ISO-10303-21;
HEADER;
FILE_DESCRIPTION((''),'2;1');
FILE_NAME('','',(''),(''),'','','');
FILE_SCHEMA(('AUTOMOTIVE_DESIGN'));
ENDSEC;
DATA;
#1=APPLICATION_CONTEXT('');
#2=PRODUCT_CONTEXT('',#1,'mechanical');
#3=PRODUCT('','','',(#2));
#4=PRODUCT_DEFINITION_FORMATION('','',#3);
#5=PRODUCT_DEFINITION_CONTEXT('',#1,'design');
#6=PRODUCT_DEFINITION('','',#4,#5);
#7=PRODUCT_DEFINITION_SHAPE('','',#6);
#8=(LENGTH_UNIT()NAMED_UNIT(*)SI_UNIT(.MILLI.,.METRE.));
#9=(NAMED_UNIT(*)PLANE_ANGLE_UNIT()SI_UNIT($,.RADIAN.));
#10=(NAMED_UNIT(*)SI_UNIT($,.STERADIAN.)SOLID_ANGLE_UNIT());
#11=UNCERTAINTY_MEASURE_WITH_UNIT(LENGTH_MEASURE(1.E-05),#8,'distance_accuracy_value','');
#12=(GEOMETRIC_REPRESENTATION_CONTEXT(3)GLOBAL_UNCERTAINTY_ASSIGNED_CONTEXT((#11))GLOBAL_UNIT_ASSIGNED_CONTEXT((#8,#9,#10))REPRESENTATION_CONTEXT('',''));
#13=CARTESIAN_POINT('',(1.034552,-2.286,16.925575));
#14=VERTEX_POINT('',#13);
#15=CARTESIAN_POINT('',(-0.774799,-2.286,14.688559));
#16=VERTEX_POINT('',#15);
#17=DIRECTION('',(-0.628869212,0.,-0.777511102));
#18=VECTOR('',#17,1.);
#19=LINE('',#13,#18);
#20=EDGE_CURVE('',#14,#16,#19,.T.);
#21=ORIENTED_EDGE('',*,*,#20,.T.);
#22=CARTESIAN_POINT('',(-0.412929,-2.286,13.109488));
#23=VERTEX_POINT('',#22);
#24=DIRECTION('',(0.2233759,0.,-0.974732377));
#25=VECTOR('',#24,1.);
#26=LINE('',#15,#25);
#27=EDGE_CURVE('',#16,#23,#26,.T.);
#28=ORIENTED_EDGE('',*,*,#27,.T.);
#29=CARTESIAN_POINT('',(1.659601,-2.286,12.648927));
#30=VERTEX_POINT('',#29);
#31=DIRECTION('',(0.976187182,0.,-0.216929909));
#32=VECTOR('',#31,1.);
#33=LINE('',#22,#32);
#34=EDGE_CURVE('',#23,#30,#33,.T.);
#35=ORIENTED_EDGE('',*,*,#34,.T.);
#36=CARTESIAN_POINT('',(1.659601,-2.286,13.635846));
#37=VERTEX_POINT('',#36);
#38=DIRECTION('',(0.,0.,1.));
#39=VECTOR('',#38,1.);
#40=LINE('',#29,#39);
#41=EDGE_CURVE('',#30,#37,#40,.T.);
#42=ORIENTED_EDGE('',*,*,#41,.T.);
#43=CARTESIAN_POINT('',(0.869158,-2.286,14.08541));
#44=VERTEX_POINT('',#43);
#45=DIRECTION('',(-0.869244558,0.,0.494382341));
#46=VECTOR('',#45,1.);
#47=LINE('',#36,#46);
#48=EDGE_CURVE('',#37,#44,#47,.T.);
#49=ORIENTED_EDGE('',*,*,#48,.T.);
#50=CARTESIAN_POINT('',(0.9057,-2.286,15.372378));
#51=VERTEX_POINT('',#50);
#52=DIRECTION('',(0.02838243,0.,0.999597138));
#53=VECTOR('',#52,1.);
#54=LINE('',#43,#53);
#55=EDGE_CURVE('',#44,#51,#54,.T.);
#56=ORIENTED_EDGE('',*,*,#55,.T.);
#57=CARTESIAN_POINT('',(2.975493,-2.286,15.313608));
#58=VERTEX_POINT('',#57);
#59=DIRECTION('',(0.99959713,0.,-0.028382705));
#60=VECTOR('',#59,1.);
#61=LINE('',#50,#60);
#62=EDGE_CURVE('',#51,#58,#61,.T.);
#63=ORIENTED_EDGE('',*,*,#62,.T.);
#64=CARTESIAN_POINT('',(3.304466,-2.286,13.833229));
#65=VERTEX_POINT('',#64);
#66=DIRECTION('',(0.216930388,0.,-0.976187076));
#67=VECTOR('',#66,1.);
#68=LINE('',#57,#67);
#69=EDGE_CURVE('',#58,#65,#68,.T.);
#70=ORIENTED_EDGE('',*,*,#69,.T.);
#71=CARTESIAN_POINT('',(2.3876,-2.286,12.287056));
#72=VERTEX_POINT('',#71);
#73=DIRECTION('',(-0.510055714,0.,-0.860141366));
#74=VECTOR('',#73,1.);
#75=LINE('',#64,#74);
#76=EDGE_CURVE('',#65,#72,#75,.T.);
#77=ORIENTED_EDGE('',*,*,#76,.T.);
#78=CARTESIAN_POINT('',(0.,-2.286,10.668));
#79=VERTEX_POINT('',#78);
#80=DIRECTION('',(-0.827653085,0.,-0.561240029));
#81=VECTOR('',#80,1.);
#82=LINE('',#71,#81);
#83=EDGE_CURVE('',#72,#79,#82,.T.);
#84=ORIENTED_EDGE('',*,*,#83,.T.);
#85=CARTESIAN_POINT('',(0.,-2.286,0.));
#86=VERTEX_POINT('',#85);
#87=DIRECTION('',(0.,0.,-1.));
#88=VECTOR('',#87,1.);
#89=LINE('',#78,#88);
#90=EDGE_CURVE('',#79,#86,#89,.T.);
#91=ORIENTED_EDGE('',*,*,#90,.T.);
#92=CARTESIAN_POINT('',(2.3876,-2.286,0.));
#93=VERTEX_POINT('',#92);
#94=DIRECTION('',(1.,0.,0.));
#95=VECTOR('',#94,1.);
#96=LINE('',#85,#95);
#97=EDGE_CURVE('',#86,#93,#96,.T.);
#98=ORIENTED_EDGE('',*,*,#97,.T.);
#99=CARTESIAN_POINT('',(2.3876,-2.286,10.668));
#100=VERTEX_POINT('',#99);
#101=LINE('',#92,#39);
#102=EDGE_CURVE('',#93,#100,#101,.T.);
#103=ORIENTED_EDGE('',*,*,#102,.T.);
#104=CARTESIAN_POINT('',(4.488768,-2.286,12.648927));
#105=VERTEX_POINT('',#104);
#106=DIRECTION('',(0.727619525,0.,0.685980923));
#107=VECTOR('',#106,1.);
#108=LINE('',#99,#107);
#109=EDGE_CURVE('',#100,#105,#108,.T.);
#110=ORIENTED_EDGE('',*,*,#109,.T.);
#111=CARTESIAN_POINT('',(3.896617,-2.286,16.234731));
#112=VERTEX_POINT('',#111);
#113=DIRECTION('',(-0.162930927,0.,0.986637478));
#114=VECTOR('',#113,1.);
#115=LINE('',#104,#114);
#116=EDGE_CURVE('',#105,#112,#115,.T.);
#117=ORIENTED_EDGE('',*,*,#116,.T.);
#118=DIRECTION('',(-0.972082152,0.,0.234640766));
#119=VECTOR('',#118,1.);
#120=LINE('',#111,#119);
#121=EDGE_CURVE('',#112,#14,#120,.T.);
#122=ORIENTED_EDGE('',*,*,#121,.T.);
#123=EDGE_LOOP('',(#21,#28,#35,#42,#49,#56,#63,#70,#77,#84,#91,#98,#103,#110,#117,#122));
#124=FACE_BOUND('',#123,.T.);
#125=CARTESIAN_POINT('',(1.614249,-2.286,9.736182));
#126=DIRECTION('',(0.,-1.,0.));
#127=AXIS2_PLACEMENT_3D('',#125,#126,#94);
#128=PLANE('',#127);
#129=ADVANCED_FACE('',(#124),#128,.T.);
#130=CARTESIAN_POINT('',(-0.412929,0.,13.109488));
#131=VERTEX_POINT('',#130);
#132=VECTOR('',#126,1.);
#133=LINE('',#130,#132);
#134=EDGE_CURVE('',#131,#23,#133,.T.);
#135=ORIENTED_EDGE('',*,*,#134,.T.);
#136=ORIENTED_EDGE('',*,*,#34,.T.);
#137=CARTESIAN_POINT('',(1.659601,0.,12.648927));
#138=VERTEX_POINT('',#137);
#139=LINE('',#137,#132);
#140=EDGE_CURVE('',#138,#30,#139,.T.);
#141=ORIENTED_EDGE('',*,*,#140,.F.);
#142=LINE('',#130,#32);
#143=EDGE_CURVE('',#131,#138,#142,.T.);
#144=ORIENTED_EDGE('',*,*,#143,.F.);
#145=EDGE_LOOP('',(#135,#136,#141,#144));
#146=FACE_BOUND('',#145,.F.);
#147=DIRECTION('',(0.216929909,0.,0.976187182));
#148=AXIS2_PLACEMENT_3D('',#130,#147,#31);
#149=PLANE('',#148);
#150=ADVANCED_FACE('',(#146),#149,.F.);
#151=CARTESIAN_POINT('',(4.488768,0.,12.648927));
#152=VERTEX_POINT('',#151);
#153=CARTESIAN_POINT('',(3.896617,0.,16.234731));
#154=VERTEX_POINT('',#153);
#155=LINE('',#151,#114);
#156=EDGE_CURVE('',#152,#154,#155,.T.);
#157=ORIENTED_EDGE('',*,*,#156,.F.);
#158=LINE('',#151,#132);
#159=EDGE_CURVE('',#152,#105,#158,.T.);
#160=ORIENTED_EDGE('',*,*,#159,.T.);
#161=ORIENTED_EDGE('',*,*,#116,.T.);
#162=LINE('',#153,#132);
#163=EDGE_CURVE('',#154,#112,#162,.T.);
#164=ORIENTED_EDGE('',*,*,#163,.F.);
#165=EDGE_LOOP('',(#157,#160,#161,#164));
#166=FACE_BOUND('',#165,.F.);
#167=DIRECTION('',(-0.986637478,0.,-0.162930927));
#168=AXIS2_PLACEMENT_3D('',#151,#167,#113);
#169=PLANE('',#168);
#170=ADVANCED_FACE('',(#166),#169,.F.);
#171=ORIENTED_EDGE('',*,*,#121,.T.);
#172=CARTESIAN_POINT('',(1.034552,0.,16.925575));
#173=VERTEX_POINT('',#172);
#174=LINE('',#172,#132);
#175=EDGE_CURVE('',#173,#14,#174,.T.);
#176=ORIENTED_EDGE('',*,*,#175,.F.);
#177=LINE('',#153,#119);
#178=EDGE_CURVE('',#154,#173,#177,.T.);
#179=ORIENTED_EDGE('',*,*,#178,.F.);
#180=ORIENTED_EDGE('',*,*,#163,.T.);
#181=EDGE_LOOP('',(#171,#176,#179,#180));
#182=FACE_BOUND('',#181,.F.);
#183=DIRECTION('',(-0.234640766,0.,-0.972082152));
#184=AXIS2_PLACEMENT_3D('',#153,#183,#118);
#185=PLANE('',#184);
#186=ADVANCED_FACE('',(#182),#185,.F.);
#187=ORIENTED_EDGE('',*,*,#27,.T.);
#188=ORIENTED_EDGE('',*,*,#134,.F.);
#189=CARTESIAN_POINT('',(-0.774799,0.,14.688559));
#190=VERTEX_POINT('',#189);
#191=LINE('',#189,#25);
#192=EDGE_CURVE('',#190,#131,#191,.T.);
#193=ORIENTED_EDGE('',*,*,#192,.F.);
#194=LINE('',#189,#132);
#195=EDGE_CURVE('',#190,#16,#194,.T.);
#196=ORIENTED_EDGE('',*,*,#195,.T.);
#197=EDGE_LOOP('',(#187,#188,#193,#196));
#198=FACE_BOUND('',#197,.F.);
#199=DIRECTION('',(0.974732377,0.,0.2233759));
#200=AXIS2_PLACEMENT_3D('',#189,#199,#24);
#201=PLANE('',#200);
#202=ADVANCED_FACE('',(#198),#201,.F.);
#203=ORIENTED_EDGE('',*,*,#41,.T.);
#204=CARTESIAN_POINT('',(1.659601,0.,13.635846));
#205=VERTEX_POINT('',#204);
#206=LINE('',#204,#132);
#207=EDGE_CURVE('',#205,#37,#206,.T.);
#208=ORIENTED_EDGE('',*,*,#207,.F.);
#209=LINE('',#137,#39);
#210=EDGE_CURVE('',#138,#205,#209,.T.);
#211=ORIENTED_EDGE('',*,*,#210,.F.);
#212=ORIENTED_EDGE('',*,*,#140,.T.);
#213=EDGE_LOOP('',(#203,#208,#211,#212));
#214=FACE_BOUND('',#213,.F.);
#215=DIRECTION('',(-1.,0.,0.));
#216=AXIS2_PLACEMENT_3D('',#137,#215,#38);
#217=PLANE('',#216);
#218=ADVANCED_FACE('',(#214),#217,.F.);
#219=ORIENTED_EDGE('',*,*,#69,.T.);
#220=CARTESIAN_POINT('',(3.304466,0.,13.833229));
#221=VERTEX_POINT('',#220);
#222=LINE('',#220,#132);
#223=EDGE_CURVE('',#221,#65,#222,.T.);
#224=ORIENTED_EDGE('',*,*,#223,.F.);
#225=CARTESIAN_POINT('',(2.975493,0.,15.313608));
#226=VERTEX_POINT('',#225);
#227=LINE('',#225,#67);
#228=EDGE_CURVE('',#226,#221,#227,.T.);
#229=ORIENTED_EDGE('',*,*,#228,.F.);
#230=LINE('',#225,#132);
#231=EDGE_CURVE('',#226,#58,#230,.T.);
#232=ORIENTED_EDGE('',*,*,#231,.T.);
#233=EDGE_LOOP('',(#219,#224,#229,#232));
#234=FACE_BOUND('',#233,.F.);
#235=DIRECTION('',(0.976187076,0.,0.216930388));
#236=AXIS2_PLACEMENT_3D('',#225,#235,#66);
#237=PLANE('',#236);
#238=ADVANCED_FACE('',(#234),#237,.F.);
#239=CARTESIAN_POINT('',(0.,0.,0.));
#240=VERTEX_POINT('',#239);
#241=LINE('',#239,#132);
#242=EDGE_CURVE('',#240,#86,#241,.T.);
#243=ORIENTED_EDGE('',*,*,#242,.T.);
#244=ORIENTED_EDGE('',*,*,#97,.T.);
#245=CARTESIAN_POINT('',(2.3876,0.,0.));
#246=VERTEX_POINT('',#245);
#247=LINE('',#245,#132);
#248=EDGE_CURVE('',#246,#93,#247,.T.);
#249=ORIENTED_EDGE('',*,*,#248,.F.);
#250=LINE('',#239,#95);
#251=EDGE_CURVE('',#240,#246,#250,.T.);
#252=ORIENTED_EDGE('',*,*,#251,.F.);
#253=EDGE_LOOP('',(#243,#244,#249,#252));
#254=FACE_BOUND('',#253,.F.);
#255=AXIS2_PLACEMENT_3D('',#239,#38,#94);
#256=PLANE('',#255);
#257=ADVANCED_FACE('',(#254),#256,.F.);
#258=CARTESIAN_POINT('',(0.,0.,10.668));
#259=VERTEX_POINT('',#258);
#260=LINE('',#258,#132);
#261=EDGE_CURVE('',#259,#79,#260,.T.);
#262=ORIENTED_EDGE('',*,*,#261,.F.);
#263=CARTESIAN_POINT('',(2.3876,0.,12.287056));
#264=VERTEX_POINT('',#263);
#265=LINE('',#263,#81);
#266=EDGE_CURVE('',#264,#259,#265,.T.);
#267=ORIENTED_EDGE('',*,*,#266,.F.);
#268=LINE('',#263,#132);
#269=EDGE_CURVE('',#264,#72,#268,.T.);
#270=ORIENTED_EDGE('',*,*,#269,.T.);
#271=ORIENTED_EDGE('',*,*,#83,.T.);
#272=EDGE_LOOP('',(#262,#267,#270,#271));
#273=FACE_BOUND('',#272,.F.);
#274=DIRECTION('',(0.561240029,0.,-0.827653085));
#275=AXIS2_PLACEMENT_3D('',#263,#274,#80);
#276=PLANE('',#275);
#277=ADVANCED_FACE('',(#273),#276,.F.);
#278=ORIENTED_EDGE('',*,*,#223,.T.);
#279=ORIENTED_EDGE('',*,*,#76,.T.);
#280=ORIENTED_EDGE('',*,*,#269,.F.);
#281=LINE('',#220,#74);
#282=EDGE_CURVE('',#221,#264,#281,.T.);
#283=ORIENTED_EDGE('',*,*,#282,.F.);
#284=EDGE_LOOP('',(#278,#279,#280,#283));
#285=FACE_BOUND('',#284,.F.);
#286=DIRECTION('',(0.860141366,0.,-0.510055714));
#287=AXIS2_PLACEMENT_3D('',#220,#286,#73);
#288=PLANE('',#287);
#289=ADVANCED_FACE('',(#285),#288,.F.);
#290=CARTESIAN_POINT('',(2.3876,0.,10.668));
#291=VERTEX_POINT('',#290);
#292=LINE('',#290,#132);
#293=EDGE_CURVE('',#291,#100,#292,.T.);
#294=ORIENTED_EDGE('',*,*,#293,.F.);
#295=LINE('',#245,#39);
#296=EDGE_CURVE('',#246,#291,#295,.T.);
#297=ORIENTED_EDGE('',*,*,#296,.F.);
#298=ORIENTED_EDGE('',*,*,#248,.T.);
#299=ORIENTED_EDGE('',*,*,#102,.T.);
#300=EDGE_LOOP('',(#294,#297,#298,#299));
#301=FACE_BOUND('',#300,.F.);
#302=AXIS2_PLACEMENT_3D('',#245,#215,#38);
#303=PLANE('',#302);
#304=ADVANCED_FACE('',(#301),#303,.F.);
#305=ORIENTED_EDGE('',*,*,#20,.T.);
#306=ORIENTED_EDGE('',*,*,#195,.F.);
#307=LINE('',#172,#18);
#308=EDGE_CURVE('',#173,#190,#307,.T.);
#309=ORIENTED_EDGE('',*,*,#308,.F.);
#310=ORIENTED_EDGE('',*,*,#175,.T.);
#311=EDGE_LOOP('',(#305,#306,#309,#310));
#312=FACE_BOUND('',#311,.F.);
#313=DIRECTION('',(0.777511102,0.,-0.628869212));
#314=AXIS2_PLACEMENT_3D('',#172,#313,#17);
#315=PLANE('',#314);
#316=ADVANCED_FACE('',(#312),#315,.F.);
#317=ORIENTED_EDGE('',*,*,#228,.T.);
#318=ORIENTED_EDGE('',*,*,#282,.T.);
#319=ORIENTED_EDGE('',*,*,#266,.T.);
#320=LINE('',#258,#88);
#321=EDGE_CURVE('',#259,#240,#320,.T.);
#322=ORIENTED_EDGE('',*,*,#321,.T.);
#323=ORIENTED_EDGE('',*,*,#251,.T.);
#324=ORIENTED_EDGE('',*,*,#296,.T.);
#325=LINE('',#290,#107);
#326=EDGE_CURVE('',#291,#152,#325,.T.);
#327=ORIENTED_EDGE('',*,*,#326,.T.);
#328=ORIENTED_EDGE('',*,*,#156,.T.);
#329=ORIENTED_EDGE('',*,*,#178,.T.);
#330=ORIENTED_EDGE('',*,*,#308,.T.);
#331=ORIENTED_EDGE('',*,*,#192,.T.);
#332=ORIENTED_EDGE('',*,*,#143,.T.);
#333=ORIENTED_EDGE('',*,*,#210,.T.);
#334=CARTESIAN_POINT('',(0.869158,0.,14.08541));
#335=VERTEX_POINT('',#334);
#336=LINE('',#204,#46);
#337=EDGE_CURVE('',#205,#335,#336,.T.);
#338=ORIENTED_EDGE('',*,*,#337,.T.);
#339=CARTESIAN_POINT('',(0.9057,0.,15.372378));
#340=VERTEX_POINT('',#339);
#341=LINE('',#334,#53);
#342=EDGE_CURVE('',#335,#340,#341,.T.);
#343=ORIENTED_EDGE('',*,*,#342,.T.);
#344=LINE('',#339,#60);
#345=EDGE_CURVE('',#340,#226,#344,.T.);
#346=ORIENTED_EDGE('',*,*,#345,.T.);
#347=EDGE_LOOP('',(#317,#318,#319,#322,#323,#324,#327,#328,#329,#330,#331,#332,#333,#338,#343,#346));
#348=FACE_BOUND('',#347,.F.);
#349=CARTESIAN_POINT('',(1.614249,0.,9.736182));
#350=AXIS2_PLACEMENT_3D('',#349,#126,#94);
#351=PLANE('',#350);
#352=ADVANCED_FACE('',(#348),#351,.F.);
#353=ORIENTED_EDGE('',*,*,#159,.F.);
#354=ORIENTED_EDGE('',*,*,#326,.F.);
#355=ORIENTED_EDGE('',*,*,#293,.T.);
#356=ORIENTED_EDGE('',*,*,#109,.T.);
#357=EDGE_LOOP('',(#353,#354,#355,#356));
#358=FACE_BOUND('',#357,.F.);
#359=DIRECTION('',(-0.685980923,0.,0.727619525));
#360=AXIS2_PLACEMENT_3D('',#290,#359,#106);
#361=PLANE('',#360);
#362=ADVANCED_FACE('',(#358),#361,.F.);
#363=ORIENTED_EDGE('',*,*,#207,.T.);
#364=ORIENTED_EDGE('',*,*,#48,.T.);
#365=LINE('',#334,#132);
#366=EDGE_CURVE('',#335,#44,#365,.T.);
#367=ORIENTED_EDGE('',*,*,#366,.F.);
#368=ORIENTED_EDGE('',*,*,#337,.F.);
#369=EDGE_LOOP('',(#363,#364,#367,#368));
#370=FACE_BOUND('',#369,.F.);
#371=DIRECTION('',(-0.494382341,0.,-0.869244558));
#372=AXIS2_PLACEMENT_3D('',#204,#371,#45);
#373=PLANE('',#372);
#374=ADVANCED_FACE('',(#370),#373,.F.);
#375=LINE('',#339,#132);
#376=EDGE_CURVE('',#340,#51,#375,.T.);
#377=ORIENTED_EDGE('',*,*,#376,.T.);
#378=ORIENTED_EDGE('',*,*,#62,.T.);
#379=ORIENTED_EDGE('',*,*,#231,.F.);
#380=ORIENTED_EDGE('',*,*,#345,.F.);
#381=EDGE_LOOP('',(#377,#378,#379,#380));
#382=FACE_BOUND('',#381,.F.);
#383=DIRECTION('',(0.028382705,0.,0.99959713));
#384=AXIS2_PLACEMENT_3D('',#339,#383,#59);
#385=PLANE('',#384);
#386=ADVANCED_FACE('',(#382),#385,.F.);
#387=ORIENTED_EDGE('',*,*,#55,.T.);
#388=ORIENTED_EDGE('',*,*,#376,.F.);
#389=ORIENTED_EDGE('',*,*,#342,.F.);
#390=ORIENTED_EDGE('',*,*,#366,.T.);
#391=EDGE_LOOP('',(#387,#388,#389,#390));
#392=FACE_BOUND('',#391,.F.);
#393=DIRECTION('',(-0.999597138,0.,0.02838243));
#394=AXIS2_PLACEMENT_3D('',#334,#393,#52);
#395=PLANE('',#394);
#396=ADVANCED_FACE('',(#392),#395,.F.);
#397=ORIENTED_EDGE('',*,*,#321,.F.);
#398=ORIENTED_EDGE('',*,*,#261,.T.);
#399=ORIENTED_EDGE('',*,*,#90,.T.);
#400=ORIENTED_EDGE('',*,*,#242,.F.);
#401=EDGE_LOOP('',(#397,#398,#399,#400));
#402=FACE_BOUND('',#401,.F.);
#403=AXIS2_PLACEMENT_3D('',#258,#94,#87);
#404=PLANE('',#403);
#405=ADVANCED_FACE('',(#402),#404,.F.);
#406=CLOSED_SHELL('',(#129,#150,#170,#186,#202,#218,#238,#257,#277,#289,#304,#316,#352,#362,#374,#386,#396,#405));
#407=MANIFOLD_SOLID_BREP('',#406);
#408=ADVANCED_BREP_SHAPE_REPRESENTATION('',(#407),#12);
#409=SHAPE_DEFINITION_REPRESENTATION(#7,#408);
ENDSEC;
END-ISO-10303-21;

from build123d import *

# Parameters (mm, degrees)
F1_DEPTH = 2.286


with BuildPart() as f1:
    # F0 (on Front) → F1 (new body)
    with BuildSketch(Plane.XZ):
        Polygon((0, 10.668), (0, 0), (2.3876, 0), (2.3876, 10.668), (4.488768, 12.648927), (3.896617, 16.234731), (1.034552, 16.925575), (-0.774799, 14.688559), (-0.412929, 13.109488), (1.659601, 12.648927), (1.659601, 13.635846), (0.869158, 14.08541), (0.9057, 15.372378), (2.975493, 15.313608), (3.304466, 13.833229), (2.3876, 12.287056), align=None)
    extrude(amount=F1_DEPTH)


solid = f1.part
